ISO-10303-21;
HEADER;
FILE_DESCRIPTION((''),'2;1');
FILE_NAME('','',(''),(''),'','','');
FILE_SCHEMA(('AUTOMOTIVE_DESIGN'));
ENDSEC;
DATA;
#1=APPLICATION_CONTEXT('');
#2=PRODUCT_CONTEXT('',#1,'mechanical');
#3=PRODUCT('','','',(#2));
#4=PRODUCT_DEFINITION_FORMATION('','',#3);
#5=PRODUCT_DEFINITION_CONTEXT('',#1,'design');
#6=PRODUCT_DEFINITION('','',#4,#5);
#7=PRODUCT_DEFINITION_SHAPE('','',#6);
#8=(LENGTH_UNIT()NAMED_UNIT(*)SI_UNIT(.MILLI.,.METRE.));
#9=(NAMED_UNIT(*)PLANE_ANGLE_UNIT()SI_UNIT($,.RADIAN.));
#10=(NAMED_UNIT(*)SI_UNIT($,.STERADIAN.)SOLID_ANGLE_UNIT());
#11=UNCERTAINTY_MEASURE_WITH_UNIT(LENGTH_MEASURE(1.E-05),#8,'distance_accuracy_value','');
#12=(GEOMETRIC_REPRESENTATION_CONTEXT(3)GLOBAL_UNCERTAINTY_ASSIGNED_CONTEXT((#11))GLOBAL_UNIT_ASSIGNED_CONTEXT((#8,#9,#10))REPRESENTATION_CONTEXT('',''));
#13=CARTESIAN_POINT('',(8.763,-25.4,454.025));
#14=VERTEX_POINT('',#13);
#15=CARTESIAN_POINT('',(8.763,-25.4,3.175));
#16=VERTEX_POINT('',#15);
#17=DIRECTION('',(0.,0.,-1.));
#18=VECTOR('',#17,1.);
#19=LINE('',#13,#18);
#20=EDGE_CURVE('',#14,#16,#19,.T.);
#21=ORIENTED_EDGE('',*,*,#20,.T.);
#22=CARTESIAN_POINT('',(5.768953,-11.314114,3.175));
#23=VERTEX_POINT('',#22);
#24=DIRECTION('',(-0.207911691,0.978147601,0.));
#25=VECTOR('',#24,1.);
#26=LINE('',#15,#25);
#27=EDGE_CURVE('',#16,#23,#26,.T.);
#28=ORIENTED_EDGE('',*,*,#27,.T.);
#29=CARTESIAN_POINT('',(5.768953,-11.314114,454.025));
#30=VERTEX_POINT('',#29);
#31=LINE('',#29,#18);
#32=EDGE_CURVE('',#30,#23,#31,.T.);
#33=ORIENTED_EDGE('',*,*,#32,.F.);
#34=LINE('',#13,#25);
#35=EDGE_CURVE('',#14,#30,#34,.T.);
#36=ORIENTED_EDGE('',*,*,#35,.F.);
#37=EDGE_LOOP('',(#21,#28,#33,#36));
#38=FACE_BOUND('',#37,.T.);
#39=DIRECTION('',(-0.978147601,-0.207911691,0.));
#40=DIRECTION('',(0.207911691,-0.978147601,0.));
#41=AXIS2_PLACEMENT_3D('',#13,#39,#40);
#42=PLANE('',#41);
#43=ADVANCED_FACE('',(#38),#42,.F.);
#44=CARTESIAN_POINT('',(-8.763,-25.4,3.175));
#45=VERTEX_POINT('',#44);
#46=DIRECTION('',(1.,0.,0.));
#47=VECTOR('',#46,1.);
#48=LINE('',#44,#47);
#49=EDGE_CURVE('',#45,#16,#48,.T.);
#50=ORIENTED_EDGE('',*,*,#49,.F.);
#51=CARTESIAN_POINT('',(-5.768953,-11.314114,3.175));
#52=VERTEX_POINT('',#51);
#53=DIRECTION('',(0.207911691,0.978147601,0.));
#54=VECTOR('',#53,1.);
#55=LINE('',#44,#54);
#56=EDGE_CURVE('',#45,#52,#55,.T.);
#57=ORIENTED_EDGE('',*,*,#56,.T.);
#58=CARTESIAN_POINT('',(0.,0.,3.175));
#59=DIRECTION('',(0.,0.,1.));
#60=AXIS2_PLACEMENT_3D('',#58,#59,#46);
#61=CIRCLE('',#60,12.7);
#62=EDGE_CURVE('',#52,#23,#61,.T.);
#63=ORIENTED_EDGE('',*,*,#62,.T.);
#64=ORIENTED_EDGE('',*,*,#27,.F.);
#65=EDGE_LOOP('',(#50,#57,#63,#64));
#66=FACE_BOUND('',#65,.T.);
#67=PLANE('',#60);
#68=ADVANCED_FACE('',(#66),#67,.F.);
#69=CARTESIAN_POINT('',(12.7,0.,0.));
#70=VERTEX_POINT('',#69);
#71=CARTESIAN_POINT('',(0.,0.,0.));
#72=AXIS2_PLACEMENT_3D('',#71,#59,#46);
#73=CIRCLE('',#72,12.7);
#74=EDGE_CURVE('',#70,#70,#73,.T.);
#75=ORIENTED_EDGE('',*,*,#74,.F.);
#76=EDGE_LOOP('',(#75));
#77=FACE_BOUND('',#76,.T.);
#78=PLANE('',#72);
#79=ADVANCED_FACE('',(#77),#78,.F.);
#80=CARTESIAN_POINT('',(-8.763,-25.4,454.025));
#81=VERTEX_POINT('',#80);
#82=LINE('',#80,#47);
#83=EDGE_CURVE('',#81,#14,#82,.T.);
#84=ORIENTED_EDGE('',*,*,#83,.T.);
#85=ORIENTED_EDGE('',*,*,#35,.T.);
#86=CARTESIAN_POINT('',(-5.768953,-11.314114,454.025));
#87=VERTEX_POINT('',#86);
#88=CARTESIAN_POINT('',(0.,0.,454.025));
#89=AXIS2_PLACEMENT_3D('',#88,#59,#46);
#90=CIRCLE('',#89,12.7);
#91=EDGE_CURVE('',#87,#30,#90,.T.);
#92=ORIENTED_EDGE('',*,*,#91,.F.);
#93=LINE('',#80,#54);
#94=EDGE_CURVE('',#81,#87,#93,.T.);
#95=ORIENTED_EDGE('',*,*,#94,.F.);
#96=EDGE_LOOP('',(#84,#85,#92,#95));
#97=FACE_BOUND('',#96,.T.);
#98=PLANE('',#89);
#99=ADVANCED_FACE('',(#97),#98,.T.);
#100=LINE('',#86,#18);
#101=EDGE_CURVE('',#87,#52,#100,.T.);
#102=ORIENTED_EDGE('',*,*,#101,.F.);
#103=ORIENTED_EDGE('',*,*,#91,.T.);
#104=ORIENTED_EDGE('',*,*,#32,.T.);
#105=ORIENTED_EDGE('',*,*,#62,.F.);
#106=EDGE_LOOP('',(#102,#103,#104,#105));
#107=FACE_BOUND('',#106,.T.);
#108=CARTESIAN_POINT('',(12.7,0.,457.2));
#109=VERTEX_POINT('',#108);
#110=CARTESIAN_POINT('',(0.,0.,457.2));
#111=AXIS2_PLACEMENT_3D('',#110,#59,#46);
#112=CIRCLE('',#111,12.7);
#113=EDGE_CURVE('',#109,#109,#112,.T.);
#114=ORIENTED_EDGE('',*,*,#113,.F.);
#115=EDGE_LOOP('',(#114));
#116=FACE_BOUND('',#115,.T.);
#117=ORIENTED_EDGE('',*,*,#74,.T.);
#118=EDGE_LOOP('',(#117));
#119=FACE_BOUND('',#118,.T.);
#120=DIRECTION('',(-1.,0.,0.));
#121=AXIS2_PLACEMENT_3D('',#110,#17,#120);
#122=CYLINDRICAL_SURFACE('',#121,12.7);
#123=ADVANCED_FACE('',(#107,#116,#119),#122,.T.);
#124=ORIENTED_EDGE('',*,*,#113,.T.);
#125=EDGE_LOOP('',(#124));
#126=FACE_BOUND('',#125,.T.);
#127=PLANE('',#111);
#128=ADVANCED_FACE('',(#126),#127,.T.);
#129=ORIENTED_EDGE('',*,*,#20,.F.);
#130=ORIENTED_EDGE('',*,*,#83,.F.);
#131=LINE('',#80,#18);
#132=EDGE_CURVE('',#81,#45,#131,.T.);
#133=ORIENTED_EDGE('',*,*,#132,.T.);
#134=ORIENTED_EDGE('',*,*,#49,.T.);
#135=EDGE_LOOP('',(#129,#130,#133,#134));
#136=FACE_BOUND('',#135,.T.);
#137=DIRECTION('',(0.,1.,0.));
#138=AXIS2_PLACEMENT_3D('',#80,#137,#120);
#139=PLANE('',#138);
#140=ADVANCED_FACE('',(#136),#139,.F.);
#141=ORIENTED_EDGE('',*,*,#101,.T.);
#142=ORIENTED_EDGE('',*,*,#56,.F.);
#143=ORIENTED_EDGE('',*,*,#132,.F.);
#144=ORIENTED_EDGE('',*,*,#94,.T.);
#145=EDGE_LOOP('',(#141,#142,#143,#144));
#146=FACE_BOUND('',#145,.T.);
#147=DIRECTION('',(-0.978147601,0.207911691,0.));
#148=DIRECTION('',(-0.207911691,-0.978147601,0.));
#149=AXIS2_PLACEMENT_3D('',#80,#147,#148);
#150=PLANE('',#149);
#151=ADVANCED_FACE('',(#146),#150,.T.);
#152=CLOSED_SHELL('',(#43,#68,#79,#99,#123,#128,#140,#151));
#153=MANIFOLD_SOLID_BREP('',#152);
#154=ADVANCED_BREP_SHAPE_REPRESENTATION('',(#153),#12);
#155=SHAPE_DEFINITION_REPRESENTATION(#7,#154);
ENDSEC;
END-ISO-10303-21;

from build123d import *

# Parameters (mm, degrees)
SKETCH1_R           = 12.7
BASE_EXTRUDE_DEPTH  = 457.2
BOSS_EXTRUDE1_DEPTH = 450.85


with BuildPart() as part:
    # Sketch1 → Base-Extrude (new body)
    with BuildSketch(Plane.XY):
        Circle(SKETCH1_R)
    extrude(amount=BASE_EXTRUDE_DEPTH)

    # Sketch2 → Boss-Extrude1 (add)
    with BuildSketch(Plane.XY.offset(3.175)):
        with BuildLine():
            Line((-8.763, -25.4), (8.763, -25.4))
            Line((8.763, -25.4), (5.7689526, -11.314114455))
            ThreePointArc((5.7689526, -11.314114455), (0, -12.7), (-5.7689526, -11.314114455))
            Line((-5.7689526, -11.314114455), (-8.763, -25.4))
        make_face()
    extrude(amount=BOSS_EXTRUDE1_DEPTH)


solid = part.part
